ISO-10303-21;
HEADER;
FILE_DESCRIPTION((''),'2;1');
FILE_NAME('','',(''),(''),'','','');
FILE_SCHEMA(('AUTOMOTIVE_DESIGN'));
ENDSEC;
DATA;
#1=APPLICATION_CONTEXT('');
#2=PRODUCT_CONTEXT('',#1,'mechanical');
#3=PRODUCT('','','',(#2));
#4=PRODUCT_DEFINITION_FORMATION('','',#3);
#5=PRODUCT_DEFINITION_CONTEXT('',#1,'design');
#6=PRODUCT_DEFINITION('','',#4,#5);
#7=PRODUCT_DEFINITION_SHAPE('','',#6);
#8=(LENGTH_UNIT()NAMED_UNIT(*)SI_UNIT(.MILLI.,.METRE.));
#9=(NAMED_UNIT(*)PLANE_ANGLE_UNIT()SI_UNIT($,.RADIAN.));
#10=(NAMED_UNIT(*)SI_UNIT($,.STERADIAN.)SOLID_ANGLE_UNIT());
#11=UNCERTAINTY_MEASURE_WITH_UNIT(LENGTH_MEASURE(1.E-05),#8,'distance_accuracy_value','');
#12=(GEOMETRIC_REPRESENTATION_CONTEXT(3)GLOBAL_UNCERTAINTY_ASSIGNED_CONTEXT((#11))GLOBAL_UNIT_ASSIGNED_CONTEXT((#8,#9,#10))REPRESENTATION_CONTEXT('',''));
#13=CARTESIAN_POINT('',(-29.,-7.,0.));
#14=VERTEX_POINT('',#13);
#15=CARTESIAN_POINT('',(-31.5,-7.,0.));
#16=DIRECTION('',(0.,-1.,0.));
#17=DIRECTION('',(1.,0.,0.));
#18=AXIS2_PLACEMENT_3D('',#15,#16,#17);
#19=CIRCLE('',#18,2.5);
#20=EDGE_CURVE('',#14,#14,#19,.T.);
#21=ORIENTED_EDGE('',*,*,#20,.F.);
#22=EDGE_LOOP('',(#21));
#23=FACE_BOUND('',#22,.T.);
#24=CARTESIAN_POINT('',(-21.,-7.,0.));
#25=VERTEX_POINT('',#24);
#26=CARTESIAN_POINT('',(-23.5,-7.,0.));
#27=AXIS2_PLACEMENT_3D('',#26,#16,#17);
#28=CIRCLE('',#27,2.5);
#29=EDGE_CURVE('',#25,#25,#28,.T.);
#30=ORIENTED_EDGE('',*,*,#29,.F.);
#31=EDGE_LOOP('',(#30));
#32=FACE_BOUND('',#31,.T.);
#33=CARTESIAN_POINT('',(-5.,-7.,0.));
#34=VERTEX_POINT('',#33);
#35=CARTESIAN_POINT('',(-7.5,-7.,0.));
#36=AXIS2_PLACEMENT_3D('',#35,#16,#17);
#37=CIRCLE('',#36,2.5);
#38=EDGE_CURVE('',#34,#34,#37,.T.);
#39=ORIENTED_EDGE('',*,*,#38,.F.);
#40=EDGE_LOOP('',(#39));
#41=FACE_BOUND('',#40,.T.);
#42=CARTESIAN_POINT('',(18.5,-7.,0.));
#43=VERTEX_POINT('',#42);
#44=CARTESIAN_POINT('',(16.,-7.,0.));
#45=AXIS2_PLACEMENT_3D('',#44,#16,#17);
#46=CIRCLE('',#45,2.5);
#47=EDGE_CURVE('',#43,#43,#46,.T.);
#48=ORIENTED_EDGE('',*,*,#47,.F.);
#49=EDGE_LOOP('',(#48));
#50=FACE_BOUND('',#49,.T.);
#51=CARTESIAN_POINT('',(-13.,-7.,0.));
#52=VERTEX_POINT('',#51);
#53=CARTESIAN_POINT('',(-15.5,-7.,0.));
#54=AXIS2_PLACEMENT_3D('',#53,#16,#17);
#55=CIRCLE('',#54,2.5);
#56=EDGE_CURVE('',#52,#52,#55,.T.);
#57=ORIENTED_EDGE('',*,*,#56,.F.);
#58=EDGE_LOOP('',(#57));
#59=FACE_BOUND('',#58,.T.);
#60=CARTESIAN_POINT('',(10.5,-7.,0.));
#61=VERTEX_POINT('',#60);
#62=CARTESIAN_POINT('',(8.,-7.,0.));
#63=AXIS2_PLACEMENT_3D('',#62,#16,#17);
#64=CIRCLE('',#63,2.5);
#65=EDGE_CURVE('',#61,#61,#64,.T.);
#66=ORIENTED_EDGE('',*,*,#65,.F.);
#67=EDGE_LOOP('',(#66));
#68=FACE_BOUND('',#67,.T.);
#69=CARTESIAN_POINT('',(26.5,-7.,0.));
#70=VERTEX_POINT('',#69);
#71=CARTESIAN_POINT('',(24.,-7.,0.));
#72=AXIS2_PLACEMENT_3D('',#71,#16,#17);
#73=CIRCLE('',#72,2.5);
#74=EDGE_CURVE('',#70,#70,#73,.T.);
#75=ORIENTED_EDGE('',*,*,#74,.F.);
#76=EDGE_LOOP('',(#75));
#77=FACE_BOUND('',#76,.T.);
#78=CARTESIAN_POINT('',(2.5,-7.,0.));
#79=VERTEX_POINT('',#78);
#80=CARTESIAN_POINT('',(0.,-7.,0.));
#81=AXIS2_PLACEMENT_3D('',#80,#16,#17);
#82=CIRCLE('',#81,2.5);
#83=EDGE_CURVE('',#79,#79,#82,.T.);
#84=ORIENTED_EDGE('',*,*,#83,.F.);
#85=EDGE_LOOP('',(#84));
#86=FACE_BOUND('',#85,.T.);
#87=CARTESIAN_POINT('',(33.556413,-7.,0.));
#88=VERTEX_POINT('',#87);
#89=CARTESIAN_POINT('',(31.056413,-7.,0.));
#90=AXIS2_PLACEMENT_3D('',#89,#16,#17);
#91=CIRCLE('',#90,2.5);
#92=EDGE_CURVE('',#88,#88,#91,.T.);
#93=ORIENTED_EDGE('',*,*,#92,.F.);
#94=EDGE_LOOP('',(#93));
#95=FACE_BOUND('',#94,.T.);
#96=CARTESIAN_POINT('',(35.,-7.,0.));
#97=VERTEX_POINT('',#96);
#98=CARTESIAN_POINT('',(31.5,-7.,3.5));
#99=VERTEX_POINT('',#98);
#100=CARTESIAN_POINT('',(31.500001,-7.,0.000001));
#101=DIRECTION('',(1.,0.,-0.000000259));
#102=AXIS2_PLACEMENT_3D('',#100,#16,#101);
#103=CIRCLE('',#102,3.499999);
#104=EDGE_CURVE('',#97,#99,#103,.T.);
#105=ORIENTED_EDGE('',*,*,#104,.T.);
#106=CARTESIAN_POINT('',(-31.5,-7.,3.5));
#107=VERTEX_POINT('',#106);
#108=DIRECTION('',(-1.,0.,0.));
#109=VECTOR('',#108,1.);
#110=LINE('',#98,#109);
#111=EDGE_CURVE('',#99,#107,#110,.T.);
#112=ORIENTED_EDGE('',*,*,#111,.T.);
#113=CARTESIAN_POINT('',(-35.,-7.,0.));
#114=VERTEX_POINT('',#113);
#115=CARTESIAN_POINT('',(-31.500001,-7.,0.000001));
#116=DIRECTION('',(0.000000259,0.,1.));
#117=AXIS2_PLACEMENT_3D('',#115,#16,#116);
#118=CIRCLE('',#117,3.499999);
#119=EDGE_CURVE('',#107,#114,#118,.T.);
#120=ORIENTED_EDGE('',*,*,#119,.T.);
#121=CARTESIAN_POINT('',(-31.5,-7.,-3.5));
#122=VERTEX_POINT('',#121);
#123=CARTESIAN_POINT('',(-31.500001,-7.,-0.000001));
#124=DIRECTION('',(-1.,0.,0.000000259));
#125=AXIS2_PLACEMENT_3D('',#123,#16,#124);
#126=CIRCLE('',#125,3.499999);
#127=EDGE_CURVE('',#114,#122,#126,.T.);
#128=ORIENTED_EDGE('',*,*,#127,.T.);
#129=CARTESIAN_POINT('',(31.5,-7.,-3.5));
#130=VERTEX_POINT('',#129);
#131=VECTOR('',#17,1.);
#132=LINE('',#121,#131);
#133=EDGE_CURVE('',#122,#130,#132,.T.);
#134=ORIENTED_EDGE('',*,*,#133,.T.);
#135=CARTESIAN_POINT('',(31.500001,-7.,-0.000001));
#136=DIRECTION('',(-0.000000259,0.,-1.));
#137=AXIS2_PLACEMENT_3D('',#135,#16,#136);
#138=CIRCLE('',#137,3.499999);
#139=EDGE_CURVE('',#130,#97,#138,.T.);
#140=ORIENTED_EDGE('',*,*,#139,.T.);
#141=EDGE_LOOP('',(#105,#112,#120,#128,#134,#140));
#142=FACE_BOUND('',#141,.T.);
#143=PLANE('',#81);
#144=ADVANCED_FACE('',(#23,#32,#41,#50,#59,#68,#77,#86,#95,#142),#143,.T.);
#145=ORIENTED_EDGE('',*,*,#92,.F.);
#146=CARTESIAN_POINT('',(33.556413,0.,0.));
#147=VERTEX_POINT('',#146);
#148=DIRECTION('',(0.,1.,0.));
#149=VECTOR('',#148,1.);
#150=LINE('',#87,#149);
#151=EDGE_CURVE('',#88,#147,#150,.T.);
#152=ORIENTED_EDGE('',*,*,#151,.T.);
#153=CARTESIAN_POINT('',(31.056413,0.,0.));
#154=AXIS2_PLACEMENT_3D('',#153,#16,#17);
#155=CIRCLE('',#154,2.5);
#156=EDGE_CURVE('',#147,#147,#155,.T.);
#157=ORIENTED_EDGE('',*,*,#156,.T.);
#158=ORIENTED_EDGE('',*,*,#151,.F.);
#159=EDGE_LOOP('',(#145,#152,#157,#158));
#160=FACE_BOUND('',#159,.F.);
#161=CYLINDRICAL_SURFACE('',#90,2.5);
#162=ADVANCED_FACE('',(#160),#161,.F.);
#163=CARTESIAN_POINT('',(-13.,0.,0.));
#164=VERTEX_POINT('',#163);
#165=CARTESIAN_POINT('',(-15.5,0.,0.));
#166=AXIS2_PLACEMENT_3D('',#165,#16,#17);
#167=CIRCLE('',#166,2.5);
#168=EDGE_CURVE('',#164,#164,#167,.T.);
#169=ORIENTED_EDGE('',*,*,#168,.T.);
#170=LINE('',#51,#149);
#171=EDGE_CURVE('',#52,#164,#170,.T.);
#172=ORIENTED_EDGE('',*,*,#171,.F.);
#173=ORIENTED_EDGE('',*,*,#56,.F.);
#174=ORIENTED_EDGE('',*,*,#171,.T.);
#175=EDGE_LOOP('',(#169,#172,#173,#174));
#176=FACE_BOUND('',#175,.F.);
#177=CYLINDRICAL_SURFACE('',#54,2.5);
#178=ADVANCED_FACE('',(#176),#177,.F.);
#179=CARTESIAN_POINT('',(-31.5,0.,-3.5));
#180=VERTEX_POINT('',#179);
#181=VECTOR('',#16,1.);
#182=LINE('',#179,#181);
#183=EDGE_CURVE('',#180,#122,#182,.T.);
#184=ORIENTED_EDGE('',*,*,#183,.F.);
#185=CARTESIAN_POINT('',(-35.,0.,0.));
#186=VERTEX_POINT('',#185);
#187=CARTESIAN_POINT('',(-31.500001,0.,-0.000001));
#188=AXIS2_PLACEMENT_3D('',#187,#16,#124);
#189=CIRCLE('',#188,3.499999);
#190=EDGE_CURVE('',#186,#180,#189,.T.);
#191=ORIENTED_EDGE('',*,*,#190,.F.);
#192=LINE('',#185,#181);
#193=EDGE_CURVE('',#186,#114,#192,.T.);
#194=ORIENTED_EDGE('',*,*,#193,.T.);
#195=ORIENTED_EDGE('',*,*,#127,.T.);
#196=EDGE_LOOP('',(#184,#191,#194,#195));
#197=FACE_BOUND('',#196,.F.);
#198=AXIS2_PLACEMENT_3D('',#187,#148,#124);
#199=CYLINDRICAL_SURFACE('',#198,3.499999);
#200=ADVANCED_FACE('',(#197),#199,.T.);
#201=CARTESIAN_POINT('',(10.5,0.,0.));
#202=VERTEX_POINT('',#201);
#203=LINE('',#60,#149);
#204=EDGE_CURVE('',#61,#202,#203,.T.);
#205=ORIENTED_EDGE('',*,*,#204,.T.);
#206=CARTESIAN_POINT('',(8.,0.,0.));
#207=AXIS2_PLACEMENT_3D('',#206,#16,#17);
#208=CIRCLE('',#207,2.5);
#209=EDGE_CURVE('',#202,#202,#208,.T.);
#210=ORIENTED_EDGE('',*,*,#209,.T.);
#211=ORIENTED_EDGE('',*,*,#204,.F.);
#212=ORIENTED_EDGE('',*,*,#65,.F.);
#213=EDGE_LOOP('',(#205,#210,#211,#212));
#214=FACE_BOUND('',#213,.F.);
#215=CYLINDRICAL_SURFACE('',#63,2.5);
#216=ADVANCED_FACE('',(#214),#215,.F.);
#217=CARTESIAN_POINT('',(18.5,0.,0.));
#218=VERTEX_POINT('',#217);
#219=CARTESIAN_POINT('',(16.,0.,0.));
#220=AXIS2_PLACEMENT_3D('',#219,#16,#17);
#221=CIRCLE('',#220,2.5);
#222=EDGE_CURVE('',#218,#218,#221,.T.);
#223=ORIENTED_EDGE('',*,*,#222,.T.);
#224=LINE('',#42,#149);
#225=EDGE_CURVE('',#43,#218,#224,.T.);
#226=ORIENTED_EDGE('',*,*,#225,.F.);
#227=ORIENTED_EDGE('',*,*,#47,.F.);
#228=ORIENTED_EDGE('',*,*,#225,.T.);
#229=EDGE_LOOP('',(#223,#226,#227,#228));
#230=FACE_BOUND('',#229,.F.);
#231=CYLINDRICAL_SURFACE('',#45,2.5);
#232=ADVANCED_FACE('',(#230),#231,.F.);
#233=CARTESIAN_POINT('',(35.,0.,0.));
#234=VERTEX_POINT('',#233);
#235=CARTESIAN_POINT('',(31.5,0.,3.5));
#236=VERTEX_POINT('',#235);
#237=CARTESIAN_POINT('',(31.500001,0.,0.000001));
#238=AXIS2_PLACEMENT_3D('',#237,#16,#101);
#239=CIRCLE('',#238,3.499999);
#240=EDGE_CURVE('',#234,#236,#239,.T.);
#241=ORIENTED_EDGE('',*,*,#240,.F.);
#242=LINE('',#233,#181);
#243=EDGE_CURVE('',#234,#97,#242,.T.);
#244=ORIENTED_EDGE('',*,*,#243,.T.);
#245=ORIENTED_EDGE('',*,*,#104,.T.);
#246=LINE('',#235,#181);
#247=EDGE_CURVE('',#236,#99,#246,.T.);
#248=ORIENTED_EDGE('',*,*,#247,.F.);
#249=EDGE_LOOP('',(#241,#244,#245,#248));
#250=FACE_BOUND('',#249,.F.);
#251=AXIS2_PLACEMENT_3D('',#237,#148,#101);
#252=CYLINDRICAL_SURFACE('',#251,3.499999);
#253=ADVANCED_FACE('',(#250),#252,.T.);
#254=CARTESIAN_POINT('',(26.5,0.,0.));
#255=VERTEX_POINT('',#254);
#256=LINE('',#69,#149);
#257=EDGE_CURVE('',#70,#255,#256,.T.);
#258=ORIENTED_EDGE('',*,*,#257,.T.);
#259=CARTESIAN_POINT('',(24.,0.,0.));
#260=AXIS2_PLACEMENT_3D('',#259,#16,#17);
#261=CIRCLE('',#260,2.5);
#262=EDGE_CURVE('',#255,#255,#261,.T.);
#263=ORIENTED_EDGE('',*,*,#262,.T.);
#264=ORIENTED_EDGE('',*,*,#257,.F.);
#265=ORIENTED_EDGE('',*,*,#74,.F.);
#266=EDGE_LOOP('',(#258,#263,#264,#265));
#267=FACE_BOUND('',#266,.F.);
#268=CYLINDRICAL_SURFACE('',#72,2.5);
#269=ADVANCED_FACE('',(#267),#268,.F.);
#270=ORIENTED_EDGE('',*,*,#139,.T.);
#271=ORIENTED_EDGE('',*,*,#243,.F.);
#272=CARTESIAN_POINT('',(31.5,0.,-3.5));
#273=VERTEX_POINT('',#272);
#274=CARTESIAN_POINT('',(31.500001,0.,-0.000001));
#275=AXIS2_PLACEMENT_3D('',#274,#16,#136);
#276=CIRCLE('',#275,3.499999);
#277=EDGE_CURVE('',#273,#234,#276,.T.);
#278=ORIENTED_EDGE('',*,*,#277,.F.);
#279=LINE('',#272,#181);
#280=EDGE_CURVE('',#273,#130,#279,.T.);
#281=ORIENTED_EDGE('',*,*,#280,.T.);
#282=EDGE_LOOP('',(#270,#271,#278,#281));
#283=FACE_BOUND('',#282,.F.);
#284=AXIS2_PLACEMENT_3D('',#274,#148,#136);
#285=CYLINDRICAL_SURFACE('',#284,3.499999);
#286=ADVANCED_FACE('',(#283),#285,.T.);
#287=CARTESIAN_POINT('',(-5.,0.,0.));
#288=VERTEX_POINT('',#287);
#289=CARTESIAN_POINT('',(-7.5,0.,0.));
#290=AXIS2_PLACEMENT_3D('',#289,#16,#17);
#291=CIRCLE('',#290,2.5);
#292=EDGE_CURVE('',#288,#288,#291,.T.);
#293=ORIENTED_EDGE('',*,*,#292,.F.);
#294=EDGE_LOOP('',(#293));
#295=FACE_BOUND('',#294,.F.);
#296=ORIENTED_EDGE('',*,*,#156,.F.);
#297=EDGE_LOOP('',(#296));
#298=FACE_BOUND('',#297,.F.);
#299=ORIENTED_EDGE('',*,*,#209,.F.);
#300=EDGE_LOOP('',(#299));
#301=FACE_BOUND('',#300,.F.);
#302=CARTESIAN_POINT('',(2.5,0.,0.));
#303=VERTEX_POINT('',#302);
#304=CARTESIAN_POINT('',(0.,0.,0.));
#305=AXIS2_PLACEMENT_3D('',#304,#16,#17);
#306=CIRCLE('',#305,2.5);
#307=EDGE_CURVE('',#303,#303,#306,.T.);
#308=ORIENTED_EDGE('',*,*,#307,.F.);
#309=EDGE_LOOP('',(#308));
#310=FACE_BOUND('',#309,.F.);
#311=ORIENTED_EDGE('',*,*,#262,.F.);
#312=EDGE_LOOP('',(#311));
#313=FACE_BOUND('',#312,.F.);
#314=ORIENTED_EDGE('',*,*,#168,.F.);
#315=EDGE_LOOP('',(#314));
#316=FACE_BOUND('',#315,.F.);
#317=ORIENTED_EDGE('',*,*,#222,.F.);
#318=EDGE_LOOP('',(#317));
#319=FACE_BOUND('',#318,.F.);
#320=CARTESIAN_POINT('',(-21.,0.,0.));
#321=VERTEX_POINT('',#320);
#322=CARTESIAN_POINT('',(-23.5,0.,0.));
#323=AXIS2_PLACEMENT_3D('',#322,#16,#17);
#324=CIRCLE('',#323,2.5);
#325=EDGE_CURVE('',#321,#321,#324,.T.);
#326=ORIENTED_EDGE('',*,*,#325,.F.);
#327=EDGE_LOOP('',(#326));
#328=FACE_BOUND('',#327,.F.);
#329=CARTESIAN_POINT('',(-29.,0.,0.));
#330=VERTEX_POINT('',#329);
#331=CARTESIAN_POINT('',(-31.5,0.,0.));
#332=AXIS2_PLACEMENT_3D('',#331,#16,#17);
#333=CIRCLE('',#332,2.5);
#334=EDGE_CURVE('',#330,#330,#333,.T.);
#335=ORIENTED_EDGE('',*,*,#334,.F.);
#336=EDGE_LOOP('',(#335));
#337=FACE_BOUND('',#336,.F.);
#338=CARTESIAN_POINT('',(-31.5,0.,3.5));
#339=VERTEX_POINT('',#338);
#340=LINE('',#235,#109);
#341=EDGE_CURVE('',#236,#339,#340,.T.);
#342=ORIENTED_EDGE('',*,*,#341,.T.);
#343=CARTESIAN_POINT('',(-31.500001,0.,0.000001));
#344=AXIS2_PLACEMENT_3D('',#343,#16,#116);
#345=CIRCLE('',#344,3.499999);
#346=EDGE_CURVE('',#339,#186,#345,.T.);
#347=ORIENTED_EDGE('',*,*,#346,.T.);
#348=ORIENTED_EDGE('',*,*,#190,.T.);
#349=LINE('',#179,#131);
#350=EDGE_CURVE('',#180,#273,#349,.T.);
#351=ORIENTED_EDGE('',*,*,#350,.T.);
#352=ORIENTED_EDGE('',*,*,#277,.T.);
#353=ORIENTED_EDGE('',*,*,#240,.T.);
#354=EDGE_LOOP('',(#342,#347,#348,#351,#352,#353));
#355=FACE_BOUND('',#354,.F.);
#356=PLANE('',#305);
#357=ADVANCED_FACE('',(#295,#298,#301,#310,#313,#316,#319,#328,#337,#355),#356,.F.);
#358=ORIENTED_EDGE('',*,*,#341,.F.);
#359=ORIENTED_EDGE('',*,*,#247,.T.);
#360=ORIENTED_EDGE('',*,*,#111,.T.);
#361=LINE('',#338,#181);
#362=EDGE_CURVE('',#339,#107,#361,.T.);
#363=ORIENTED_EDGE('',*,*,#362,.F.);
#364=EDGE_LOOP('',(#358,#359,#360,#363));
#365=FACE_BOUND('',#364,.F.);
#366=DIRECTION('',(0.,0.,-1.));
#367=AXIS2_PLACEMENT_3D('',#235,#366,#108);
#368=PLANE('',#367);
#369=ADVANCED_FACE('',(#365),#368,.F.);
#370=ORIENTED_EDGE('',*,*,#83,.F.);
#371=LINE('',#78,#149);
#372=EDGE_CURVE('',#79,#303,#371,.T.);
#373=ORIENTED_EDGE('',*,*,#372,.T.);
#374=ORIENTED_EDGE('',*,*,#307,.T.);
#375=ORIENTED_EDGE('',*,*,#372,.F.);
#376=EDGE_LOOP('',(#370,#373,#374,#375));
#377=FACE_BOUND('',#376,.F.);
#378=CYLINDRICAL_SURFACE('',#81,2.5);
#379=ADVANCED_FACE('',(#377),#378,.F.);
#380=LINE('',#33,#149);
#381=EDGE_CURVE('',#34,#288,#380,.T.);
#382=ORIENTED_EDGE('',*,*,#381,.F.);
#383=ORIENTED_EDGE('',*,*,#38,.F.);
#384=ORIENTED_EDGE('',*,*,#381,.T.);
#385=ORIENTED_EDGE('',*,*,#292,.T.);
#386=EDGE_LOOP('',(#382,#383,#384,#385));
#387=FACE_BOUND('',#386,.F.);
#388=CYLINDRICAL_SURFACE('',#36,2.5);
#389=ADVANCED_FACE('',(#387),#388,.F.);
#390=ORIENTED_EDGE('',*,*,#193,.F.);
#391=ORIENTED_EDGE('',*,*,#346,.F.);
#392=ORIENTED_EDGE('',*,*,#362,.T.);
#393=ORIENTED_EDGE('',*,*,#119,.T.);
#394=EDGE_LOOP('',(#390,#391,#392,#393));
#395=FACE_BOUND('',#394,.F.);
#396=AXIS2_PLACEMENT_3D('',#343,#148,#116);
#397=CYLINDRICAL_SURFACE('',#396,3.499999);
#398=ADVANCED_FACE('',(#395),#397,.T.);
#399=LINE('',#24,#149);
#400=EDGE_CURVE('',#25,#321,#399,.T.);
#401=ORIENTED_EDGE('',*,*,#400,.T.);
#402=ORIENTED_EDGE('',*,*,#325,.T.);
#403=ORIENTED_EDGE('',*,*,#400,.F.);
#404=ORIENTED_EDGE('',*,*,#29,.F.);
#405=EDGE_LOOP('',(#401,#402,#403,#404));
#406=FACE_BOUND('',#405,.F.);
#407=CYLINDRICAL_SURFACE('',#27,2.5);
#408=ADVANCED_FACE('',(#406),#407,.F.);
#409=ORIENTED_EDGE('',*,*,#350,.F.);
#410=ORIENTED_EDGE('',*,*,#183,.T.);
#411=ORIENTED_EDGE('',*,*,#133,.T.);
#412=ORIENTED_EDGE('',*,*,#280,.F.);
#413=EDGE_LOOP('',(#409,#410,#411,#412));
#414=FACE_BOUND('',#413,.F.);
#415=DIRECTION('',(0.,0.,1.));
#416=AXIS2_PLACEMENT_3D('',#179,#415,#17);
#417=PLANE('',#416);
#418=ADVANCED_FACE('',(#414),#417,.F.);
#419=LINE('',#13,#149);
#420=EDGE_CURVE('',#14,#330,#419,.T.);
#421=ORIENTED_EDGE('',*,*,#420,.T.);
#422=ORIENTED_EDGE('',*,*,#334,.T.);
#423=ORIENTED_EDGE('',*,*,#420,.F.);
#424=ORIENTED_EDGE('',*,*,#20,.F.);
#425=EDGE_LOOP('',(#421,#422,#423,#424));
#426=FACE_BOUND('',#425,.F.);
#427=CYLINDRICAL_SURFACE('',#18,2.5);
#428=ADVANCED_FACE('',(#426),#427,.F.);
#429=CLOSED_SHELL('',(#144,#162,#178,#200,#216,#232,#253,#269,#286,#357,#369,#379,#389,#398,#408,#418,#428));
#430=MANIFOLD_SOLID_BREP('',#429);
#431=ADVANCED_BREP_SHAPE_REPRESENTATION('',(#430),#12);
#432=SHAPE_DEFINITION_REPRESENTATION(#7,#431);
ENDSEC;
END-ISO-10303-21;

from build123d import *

# Parameters (mm, degrees)
F1_DEPTH = 7
F4_DEPTH = 7.001


with BuildPart() as f1:
    # F0 (on Front) → F1 (new body)
    with BuildSketch(Plane.XZ):
        with BuildLine():
            Line((-31.5, -3.5), (31.5, -3.5))
            ThreePointArc((31.5, -3.5), (33.974874, -2.474874), (35, 0))
            ThreePointArc((35, 0), (33.974874, 2.474874), (31.5, 3.5))
            Line((31.5, 3.5), (-31.5, 3.5))
            ThreePointArc((-31.5, 3.5), (-33.974874, 2.474874), (-35, 0))
            ThreePointArc((-35, 0), (-33.974874, -2.474874), (-31.5, -3.5))
        make_face()
    extrude(amount=F1_DEPTH)

    # F3 (on face) → F4 (cut, through all)
    with BuildSketch(Plane.XZ.offset(7)):
        with BuildLine():
            ThreePointArc((28.556413, 0), (31.056413, -2.5), (33.556413, 0))
            Line((33.556413, 0), (28.556413, 0))
        make_face()
        with BuildLine():
            Line((28.556413, 0), (33.556413, 0))
            ThreePointArc((33.556413, 0), (31.056413, 2.5), (28.556413, 0))
        make_face()
        with BuildLine():
            ThreePointArc((-34, 0), (-31.5, -2.5), (-29, 0))
            Line((-29, 0), (-34, 0))
        make_face()
        with BuildLine():
            Line((-34, 0), (-29, 0))
            ThreePointArc((-29, 0), (-31.5, 2.5), (-34, 0))
        make_face()
        with BuildLine():
            ThreePointArc((-26, 0), (-23.5, -2.5), (-21, 0))
            Line((-21, 0), (-26, 0))
        make_face()
        with BuildLine():
            Line((-26, 0), (-21, 0))
            ThreePointArc((-21, 0), (-23.5, 2.5), (-26, 0))
        make_face()
        with BuildLine():
            ThreePointArc((-18, 0), (-15.5, -2.5), (-13, 0))
            Line((-13, 0), (-18, 0))
        make_face()
        with BuildLine():
            Line((-18, 0), (-13, 0))
            ThreePointArc((-13, 0), (-15.5, 2.5), (-18, 0))
        make_face()
        with BuildLine():
            ThreePointArc((-10, 0), (-7.5, -2.5), (-5, 0))
            Line((-5, 0), (-10, 0))
        make_face()
        with BuildLine():
            Line((-10, 0), (-5, 0))
            ThreePointArc((-5, 0), (-7.5, 2.5), (-10, 0))
        make_face()
        with BuildLine():
            ThreePointArc((-2.5, 0), (0, -2.5), (2.5, 0))
            Line((2.5, 0), (-2.5, 0))
        make_face()
        with BuildLine():
            Line((-2.5, 0), (2.5, 0))
            ThreePointArc((2.5, 0), (0, 2.5), (-2.5, 0))
        make_face()
        with BuildLine():
            ThreePointArc((5.5, 0), (8, -2.5), (10.5, 0))
            Line((10.5, 0), (5.5, 0))
        make_face()
        with BuildLine():
            Line((5.5, 0), (10.5, 0))
            ThreePointArc((10.5, 0), (8, 2.5), (5.5, 0))
        make_face()
        with BuildLine():
            ThreePointArc((13.5, 0), (16, -2.5), (18.5, 0))
            Line((18.5, 0), (13.5, 0))
        make_face()
        with BuildLine():
            Line((13.5, 0), (18.5, 0))
            ThreePointArc((18.5, 0), (16, 2.5), (13.5, 0))
        make_face()
        with BuildLine():
            ThreePointArc((21.5, 0), (24, -2.5), (26.5, 0))
            Line((26.5, 0), (21.5, 0))
        make_face()
        with BuildLine():
            Line((21.5, 0), (26.5, 0))
            ThreePointArc((26.5, 0), (24, 2.5), (21.5, 0))
        make_face()
    extrude(amount=-F4_DEPTH, mode=Mode.SUBTRACT)


solid = f1.part
